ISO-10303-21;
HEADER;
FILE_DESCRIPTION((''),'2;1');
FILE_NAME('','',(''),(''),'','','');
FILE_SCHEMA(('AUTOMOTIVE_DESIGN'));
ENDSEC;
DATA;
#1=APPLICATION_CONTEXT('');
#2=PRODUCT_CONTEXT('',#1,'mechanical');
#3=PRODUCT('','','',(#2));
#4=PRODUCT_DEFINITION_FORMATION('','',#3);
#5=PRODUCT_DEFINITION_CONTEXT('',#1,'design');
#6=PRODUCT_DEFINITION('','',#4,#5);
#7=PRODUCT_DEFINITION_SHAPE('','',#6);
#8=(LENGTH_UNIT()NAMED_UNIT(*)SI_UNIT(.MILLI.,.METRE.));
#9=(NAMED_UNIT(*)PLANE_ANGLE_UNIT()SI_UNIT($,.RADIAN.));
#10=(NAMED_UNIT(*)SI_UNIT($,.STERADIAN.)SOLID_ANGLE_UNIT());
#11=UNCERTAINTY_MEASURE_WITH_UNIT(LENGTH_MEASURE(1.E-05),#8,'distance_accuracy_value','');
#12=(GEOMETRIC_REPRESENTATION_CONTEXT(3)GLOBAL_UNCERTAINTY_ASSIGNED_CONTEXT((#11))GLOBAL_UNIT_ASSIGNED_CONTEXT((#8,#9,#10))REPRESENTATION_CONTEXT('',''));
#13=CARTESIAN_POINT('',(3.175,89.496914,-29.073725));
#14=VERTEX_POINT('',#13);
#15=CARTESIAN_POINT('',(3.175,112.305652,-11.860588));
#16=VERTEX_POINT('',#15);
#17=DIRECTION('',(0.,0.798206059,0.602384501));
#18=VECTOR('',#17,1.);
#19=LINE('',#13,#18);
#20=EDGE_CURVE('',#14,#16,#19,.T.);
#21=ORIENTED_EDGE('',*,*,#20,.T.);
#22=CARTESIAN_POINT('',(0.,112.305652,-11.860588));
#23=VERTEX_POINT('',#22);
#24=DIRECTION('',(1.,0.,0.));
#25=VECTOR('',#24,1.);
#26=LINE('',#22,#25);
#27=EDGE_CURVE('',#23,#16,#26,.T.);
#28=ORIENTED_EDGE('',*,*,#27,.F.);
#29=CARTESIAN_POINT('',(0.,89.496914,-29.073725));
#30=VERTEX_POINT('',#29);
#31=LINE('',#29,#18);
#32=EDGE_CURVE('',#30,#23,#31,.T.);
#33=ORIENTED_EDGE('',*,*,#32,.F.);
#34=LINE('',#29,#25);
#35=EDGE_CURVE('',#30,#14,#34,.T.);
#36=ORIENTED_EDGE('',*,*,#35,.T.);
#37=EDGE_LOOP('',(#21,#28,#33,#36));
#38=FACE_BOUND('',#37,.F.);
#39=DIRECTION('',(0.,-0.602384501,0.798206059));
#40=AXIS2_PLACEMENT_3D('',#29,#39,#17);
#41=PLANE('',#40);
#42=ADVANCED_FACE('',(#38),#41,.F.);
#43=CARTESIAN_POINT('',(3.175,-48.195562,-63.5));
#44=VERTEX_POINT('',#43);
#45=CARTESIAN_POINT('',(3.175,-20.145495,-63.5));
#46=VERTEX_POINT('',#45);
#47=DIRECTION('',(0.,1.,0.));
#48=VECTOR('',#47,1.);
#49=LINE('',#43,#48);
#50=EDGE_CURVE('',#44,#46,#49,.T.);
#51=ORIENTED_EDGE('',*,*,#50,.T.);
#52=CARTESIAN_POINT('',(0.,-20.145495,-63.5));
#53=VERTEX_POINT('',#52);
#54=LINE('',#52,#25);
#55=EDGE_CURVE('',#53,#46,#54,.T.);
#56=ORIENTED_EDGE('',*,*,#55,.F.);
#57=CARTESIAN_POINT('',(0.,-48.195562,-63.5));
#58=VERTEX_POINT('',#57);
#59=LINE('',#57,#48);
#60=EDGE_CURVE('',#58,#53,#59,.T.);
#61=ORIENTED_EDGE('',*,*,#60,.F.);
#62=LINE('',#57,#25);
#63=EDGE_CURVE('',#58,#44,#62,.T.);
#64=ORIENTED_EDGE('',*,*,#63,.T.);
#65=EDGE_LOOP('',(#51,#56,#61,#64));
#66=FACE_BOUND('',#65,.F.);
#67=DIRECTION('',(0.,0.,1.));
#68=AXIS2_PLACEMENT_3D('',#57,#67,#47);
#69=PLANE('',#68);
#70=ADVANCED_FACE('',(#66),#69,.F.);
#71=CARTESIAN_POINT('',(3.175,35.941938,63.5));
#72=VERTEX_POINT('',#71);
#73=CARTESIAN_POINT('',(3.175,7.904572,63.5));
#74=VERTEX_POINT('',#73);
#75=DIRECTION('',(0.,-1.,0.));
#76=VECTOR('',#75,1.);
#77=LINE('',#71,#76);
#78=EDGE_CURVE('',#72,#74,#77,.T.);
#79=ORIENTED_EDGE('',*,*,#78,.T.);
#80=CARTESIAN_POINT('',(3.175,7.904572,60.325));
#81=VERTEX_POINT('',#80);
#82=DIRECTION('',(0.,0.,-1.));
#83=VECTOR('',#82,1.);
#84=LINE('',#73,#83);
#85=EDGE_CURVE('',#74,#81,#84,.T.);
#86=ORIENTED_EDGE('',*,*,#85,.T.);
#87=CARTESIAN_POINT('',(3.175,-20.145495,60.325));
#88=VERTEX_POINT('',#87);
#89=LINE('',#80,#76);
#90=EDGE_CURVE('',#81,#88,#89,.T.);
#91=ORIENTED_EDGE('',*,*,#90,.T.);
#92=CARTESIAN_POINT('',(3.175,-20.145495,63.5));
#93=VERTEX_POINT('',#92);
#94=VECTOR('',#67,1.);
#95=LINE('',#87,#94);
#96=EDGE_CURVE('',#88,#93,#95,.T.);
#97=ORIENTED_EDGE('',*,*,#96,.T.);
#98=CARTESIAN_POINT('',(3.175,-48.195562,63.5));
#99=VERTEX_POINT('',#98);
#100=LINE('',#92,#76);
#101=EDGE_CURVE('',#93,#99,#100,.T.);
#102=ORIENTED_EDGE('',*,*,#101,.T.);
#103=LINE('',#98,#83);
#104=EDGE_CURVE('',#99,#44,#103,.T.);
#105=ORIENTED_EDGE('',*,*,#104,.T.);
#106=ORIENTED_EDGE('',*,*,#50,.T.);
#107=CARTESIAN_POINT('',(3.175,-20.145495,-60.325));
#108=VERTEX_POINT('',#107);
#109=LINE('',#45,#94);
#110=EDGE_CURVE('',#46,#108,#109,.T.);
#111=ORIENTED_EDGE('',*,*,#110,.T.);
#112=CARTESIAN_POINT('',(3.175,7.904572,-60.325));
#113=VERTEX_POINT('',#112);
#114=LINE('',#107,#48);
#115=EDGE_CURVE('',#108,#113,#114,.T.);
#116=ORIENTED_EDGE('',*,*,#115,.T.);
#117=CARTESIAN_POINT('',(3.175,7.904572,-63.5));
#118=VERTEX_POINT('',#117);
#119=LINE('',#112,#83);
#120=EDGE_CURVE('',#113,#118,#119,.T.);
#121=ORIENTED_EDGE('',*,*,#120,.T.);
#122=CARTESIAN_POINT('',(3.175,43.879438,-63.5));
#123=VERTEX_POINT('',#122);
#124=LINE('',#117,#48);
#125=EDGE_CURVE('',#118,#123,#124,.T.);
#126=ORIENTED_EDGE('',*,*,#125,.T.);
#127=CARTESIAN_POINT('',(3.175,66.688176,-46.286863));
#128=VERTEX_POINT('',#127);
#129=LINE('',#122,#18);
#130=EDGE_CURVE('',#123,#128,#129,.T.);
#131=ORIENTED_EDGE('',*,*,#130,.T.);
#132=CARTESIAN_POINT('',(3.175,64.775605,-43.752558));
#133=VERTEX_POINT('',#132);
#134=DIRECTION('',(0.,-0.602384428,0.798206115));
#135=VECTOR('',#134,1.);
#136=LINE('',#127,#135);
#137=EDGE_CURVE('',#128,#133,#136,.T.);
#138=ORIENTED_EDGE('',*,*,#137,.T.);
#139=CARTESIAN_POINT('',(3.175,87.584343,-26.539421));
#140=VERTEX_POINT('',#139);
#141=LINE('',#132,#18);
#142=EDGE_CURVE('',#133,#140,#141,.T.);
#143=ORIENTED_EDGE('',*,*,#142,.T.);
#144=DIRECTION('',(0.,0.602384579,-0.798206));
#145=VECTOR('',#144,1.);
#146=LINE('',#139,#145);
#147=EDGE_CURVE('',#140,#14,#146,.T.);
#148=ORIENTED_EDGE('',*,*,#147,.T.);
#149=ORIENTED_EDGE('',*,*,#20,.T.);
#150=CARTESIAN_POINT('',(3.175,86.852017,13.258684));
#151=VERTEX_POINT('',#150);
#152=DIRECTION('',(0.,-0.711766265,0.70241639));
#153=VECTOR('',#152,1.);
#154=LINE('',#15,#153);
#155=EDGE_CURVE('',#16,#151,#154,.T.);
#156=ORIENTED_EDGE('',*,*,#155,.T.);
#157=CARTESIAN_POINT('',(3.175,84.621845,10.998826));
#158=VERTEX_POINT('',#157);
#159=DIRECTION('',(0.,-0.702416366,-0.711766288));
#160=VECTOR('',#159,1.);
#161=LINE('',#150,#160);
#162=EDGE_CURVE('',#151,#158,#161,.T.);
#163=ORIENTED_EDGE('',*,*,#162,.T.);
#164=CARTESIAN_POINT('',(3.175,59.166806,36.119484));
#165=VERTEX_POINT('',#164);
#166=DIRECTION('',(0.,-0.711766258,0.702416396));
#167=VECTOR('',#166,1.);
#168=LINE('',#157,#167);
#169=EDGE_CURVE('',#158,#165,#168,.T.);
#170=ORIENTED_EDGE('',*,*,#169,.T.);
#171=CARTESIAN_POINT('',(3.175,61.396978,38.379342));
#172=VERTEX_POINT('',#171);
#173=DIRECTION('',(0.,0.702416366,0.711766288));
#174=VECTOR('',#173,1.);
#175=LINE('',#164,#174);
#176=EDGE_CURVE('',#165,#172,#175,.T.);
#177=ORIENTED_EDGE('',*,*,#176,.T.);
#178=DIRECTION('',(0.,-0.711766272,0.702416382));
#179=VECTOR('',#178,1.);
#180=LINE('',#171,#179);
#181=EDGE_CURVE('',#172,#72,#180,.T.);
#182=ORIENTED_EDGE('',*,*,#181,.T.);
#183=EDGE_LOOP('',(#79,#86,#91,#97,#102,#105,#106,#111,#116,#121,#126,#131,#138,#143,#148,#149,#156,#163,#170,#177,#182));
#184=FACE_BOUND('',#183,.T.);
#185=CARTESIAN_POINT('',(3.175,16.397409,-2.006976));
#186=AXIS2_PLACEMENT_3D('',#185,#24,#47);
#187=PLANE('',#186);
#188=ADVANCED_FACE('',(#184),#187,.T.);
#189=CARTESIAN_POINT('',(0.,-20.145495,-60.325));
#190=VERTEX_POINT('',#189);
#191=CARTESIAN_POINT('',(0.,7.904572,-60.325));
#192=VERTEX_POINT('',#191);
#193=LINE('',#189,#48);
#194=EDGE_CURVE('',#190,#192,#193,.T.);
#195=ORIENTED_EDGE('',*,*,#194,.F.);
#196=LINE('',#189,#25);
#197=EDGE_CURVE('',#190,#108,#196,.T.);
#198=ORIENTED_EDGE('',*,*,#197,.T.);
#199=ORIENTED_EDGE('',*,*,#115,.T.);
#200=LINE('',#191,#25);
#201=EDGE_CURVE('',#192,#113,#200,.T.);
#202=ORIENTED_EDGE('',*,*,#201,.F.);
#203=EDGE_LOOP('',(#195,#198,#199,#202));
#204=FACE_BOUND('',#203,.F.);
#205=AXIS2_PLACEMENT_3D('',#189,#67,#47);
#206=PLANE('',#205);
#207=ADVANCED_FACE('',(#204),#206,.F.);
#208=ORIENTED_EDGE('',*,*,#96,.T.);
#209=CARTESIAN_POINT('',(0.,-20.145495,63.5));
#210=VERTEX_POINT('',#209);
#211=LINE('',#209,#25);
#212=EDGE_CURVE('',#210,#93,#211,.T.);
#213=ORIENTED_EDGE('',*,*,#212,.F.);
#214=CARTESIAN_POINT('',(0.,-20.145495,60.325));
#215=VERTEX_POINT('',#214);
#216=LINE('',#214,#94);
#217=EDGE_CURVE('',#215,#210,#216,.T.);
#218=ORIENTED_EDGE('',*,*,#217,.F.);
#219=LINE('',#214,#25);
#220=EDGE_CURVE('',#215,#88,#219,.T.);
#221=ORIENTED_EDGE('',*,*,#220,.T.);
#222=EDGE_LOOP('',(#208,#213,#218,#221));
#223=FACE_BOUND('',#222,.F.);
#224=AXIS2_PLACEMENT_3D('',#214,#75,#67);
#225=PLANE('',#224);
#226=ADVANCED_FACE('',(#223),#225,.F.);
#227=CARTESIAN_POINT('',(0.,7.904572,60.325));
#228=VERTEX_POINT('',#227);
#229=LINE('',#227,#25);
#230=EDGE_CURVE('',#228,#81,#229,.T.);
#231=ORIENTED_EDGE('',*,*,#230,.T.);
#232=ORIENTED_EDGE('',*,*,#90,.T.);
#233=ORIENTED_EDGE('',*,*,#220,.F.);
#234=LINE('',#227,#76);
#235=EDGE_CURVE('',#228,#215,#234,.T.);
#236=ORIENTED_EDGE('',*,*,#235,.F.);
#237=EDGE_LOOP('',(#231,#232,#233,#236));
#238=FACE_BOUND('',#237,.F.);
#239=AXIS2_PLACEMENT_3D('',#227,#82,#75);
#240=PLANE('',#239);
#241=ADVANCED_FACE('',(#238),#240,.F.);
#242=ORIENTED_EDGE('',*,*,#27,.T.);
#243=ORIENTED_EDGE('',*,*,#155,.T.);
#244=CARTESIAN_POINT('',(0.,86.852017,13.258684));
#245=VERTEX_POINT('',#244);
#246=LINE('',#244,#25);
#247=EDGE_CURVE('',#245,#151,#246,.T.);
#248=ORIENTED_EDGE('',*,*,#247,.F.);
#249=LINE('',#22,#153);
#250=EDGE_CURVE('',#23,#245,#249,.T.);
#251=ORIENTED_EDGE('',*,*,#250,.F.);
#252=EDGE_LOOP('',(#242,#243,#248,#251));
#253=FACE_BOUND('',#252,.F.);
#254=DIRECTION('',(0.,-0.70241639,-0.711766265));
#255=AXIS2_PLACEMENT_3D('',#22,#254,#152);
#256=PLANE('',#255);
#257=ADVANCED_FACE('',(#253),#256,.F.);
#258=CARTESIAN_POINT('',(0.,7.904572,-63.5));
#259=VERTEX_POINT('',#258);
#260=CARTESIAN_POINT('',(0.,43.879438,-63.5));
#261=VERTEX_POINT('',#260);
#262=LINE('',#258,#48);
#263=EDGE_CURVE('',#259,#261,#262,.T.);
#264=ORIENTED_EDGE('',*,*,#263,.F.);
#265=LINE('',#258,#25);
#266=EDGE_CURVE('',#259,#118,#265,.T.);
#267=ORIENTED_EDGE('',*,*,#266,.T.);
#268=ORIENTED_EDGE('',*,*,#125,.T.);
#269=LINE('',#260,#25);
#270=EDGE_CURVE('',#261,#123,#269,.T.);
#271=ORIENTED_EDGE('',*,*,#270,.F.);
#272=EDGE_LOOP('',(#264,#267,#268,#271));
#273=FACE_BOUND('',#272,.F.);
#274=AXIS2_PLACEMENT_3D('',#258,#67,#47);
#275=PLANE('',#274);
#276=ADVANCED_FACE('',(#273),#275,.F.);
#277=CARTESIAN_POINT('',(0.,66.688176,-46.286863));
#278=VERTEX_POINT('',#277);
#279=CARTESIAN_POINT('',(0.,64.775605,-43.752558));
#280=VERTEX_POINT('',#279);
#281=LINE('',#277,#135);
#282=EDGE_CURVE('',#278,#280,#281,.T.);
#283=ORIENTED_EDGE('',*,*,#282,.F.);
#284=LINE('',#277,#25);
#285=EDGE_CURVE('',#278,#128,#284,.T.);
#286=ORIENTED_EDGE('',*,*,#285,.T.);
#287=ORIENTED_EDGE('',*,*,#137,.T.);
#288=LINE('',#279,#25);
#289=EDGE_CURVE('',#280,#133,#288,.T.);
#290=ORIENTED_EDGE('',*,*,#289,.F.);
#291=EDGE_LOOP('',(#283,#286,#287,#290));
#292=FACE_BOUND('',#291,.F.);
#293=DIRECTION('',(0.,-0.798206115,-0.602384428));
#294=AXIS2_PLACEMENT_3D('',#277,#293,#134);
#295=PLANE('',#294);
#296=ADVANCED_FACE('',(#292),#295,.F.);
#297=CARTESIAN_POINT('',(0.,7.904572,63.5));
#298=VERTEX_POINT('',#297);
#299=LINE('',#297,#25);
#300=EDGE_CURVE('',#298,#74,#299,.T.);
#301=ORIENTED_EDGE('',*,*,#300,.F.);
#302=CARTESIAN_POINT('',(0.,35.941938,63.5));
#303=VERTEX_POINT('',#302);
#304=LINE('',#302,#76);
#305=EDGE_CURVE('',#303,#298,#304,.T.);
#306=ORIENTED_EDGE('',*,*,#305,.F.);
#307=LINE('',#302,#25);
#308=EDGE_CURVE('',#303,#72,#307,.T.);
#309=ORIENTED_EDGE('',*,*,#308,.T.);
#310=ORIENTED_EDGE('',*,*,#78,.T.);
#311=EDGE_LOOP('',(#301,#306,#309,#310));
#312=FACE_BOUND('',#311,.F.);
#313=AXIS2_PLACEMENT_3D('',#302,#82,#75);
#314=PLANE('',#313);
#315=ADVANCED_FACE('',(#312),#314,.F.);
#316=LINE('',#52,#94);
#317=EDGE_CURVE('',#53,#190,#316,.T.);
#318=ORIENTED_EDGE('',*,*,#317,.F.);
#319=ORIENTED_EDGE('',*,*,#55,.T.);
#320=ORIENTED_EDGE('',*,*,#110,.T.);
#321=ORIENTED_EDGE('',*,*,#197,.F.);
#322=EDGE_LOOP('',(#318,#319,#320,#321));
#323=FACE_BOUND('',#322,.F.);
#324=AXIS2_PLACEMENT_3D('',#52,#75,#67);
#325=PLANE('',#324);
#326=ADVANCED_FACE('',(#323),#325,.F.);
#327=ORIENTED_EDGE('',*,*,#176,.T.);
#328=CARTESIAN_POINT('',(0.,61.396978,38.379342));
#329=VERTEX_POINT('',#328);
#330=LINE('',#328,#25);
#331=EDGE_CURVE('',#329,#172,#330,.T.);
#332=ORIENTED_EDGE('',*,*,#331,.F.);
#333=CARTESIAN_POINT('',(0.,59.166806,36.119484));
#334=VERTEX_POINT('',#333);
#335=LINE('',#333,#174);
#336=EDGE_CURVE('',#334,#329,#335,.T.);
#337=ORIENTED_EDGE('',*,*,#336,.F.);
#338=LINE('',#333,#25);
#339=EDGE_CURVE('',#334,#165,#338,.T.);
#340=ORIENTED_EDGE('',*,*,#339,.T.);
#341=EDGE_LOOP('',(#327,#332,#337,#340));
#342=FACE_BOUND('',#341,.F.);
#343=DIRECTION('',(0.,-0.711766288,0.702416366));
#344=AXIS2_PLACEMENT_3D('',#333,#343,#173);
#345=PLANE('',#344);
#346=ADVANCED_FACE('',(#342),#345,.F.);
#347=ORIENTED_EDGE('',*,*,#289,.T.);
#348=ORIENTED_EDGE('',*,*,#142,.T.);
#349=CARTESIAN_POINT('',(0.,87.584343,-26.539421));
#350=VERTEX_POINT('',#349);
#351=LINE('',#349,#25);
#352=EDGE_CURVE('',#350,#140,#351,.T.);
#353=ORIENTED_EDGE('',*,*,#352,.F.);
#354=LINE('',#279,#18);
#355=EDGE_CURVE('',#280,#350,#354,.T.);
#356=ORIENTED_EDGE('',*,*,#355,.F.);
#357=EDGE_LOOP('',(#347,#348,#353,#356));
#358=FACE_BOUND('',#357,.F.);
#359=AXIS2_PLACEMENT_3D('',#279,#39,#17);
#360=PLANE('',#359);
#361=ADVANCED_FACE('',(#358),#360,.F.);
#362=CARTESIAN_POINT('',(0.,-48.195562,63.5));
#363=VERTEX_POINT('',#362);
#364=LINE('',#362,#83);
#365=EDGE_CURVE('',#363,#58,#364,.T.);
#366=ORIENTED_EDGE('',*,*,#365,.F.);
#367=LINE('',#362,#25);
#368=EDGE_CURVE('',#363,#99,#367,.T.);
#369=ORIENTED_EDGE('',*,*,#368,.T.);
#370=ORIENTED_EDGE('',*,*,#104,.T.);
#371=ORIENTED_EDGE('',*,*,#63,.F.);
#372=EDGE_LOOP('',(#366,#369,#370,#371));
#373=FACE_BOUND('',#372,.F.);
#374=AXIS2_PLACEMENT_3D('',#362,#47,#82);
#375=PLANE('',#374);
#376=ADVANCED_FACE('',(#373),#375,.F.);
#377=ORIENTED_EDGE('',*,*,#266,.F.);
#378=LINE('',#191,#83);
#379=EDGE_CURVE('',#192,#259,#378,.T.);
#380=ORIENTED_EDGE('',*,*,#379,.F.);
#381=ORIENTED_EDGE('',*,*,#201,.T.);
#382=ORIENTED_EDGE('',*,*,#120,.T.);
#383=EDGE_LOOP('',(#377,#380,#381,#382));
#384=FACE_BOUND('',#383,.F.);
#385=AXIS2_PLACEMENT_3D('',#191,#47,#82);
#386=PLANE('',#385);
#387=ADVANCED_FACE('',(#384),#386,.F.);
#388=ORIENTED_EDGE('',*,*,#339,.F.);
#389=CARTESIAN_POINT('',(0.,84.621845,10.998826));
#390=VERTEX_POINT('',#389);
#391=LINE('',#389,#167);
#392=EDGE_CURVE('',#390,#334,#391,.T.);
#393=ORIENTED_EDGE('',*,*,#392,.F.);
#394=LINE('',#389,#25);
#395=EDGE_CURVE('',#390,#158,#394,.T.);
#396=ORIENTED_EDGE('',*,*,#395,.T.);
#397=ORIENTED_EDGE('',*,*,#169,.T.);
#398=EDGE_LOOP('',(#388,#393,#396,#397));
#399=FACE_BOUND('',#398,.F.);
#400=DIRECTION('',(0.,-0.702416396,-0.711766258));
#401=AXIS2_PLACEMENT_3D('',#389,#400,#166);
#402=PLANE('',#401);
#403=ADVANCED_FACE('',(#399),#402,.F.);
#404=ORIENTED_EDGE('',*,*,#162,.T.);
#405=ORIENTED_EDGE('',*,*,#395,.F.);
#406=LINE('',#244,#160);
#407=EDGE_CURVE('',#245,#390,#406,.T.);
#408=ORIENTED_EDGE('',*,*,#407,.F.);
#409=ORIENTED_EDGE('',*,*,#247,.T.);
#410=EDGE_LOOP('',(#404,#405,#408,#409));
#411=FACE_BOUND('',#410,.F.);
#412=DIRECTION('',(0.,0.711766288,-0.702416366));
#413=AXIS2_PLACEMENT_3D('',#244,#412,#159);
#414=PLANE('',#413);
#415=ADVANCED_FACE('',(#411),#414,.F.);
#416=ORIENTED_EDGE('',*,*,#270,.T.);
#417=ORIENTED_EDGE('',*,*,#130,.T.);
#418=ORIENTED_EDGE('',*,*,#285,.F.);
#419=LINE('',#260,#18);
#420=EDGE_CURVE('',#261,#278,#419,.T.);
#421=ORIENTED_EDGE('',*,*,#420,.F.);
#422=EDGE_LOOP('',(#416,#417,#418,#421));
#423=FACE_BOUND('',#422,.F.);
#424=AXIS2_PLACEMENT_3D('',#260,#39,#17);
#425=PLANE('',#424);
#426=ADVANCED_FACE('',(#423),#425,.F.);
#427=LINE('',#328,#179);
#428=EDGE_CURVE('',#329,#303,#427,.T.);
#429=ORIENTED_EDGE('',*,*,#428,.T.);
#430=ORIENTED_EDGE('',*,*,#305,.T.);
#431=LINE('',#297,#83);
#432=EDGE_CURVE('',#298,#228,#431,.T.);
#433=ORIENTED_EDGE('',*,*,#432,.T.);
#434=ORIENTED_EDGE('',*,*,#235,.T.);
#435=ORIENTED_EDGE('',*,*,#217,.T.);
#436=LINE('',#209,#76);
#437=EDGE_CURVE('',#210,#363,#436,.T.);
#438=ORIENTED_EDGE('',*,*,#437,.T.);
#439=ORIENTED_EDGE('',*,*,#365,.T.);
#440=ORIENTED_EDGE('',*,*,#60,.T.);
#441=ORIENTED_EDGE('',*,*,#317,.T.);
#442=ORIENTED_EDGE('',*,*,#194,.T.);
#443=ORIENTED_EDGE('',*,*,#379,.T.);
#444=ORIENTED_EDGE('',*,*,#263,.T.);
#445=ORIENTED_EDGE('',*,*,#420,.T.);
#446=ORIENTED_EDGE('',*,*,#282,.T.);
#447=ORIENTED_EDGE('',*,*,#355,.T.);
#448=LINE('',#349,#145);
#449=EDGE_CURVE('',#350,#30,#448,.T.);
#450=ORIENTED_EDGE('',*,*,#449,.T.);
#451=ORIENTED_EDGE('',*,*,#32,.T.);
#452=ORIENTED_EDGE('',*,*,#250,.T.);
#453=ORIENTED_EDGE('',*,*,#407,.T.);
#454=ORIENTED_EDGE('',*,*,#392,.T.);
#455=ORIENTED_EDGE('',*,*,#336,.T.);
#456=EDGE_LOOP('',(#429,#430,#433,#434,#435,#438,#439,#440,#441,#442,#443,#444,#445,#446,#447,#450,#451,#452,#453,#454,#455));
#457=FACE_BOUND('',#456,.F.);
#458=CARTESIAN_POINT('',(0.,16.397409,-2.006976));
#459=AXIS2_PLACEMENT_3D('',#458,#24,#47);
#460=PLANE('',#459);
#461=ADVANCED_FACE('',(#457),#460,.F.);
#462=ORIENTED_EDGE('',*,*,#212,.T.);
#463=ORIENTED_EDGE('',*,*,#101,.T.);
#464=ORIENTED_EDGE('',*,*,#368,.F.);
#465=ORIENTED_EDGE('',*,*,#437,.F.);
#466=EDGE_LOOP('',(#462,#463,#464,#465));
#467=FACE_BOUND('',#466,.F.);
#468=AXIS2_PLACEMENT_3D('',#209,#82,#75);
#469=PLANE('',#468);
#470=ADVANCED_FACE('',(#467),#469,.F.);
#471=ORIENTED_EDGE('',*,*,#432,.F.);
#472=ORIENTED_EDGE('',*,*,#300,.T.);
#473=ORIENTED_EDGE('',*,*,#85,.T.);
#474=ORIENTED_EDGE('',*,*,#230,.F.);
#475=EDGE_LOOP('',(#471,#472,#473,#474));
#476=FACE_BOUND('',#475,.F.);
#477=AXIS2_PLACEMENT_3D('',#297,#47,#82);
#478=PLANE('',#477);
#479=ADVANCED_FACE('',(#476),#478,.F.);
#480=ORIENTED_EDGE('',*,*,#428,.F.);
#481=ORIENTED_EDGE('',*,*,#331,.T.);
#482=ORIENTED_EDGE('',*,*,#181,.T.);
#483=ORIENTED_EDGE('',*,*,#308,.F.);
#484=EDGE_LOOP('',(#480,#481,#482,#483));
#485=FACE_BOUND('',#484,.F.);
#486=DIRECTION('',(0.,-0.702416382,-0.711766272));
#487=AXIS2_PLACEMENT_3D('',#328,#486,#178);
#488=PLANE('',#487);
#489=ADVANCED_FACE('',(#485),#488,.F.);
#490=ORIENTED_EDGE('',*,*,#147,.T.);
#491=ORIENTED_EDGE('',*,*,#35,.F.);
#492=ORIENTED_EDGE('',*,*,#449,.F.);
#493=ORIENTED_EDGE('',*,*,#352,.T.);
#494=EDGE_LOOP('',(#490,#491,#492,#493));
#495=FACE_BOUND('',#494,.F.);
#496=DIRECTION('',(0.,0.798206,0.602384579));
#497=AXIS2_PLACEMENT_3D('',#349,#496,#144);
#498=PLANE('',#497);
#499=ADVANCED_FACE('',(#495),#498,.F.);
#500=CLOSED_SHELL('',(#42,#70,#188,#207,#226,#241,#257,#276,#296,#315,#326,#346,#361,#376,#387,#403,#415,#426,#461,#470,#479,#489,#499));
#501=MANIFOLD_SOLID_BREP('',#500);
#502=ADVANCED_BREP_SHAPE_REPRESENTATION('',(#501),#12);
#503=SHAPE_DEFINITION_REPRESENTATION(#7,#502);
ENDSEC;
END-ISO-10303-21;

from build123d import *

# Parameters (mm, degrees)
F1_DEPTH = 3.175


with BuildPart() as f1:
    # F0 (on Right) → F1 (new body)
    with BuildSketch(Plane.YZ):
        Polygon((-48.195562, 60.325), (-48.195562, 0), (-48.195562, -63.5), (-20.145495, -63.5), (-20.145495, -60.325), (7.904572, -60.325), (7.904572, -63.5), (43.879438, -63.5), (66.688176, -46.286863), (64.775605, -43.752558), (87.584343, -26.539421), (89.496914, -29.073725), (112.305652, -11.860588), (86.852017, 13.258684), (84.621845, 10.998826), (59.166806, 36.119484), (61.396978, 38.379342), (35.941938, 63.5), (7.904572, 63.5), (7.904572, 60.325), (-20.145495, 60.325), (-20.145495, 63.5), (-48.195562, 63.5), align=None)
    extrude(amount=F1_DEPTH)


solid = f1.part
